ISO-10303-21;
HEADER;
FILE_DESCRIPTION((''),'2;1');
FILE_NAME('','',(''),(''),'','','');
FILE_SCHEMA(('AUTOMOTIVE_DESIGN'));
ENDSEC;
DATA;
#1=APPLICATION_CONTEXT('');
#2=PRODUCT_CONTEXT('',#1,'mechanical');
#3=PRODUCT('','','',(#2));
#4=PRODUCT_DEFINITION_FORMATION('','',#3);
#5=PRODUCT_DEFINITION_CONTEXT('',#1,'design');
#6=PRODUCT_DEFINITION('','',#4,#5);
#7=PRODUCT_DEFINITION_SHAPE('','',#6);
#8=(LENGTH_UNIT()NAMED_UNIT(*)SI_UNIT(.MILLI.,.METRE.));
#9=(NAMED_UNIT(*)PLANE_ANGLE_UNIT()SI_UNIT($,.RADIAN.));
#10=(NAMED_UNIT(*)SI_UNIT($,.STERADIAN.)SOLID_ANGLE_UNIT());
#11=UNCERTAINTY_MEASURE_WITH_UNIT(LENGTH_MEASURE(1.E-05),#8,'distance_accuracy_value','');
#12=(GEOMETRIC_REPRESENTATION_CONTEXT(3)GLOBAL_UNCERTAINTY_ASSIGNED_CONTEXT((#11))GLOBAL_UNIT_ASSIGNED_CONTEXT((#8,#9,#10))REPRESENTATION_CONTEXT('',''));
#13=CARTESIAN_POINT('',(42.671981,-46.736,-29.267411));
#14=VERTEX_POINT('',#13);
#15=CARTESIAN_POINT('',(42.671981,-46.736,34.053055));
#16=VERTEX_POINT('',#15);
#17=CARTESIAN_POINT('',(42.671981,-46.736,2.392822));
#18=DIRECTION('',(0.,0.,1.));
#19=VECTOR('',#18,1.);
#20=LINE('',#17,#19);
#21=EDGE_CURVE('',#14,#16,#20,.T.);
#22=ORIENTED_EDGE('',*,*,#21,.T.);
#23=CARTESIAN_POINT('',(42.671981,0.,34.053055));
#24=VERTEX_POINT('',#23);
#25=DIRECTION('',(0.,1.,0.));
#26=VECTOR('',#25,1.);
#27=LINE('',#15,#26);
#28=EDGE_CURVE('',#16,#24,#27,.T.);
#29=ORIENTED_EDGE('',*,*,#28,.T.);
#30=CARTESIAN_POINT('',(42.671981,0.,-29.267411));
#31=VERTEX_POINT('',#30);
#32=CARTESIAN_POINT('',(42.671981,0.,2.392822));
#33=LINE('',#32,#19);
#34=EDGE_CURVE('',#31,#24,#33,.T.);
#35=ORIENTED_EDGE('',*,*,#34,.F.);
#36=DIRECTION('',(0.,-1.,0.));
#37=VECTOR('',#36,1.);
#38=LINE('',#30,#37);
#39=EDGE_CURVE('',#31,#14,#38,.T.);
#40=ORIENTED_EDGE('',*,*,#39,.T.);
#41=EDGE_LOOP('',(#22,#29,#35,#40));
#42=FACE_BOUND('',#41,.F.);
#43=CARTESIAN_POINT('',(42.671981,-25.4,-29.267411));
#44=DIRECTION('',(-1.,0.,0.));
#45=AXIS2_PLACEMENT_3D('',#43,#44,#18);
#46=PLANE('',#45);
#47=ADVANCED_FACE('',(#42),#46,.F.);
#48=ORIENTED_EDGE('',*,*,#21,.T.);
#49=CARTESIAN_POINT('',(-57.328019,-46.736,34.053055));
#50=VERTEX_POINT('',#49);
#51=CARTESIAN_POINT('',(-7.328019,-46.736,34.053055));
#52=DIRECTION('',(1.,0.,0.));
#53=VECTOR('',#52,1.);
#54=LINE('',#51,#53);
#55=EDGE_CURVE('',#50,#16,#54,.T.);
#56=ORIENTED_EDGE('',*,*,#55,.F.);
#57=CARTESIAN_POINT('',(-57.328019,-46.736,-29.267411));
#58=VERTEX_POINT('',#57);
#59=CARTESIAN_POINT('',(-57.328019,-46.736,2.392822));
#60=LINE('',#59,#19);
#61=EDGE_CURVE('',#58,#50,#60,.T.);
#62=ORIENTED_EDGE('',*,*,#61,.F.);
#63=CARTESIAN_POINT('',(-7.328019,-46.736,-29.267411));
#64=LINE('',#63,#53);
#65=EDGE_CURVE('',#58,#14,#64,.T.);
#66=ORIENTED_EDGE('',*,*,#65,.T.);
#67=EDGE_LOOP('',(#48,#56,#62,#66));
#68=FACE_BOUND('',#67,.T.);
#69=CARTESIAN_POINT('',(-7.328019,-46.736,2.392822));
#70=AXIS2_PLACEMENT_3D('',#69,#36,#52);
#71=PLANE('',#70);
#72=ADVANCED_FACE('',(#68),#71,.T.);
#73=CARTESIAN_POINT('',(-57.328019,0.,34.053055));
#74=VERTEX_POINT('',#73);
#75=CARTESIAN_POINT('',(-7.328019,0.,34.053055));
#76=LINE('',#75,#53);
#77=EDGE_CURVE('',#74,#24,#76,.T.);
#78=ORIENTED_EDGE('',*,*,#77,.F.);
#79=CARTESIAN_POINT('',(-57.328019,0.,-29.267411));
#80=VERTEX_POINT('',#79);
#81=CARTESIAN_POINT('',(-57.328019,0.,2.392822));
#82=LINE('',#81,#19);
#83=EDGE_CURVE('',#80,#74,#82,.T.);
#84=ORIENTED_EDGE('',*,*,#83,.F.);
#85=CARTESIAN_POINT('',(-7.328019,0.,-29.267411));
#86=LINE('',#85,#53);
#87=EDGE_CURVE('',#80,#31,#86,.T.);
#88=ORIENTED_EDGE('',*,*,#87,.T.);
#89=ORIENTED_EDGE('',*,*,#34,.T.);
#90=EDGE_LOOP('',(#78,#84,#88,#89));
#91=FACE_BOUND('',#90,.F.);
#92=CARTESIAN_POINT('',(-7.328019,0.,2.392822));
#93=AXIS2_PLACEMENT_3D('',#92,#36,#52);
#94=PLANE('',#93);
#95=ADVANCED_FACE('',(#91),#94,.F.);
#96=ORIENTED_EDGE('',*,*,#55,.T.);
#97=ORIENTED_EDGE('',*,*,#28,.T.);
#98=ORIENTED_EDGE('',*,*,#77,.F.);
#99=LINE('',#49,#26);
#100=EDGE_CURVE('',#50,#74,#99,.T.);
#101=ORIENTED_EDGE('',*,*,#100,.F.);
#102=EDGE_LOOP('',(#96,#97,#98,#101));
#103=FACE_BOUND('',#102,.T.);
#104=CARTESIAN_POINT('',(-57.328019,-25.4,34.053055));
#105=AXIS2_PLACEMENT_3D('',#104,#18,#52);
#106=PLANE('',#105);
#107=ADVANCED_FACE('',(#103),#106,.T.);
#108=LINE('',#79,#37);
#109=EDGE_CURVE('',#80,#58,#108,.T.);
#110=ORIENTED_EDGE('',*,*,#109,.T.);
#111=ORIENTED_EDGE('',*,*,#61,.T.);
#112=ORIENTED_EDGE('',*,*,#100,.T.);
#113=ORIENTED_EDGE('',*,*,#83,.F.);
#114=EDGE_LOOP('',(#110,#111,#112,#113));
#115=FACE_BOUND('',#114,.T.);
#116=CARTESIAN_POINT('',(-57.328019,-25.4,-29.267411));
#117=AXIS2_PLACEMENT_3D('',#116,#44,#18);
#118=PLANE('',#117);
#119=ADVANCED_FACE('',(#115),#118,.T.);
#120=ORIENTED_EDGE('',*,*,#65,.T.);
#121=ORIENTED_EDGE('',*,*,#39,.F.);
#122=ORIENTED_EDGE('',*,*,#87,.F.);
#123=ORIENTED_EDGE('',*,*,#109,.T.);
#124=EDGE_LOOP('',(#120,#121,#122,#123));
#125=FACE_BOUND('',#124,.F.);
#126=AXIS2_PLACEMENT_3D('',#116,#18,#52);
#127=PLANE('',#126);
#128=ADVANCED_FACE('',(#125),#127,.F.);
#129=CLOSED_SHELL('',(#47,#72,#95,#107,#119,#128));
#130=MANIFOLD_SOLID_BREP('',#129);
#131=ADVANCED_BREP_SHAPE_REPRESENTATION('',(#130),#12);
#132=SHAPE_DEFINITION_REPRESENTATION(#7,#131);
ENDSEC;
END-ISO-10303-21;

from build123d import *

# Parameters (mm, degrees)
F0_W      = 100
F0_H      = 63.320466
F1_DEPTH  = 25.4
F1_FACE_W = 100
F1_FACE_H = 63.320466
F2_DEPTH  = 21.336


with BuildPart() as f1:
    # F0 (on Front) → F1 (new body)
    with BuildSketch(Plane.XZ):
        with Locations((-7.328019, 2.392822)):
            Rectangle(F0_W, F0_H)
    extrude(amount=F1_DEPTH)

    # F1_face (on face) → F2 (join)
    with BuildSketch(Plane(origin=(-7.328019, -25.4, 2.392822), x_dir=(1, 0, 0), z_dir=(0, -1, 0))):
        Rectangle(F1_FACE_W, F1_FACE_H)
    extrude(amount=F2_DEPTH)


solid = f1.part
